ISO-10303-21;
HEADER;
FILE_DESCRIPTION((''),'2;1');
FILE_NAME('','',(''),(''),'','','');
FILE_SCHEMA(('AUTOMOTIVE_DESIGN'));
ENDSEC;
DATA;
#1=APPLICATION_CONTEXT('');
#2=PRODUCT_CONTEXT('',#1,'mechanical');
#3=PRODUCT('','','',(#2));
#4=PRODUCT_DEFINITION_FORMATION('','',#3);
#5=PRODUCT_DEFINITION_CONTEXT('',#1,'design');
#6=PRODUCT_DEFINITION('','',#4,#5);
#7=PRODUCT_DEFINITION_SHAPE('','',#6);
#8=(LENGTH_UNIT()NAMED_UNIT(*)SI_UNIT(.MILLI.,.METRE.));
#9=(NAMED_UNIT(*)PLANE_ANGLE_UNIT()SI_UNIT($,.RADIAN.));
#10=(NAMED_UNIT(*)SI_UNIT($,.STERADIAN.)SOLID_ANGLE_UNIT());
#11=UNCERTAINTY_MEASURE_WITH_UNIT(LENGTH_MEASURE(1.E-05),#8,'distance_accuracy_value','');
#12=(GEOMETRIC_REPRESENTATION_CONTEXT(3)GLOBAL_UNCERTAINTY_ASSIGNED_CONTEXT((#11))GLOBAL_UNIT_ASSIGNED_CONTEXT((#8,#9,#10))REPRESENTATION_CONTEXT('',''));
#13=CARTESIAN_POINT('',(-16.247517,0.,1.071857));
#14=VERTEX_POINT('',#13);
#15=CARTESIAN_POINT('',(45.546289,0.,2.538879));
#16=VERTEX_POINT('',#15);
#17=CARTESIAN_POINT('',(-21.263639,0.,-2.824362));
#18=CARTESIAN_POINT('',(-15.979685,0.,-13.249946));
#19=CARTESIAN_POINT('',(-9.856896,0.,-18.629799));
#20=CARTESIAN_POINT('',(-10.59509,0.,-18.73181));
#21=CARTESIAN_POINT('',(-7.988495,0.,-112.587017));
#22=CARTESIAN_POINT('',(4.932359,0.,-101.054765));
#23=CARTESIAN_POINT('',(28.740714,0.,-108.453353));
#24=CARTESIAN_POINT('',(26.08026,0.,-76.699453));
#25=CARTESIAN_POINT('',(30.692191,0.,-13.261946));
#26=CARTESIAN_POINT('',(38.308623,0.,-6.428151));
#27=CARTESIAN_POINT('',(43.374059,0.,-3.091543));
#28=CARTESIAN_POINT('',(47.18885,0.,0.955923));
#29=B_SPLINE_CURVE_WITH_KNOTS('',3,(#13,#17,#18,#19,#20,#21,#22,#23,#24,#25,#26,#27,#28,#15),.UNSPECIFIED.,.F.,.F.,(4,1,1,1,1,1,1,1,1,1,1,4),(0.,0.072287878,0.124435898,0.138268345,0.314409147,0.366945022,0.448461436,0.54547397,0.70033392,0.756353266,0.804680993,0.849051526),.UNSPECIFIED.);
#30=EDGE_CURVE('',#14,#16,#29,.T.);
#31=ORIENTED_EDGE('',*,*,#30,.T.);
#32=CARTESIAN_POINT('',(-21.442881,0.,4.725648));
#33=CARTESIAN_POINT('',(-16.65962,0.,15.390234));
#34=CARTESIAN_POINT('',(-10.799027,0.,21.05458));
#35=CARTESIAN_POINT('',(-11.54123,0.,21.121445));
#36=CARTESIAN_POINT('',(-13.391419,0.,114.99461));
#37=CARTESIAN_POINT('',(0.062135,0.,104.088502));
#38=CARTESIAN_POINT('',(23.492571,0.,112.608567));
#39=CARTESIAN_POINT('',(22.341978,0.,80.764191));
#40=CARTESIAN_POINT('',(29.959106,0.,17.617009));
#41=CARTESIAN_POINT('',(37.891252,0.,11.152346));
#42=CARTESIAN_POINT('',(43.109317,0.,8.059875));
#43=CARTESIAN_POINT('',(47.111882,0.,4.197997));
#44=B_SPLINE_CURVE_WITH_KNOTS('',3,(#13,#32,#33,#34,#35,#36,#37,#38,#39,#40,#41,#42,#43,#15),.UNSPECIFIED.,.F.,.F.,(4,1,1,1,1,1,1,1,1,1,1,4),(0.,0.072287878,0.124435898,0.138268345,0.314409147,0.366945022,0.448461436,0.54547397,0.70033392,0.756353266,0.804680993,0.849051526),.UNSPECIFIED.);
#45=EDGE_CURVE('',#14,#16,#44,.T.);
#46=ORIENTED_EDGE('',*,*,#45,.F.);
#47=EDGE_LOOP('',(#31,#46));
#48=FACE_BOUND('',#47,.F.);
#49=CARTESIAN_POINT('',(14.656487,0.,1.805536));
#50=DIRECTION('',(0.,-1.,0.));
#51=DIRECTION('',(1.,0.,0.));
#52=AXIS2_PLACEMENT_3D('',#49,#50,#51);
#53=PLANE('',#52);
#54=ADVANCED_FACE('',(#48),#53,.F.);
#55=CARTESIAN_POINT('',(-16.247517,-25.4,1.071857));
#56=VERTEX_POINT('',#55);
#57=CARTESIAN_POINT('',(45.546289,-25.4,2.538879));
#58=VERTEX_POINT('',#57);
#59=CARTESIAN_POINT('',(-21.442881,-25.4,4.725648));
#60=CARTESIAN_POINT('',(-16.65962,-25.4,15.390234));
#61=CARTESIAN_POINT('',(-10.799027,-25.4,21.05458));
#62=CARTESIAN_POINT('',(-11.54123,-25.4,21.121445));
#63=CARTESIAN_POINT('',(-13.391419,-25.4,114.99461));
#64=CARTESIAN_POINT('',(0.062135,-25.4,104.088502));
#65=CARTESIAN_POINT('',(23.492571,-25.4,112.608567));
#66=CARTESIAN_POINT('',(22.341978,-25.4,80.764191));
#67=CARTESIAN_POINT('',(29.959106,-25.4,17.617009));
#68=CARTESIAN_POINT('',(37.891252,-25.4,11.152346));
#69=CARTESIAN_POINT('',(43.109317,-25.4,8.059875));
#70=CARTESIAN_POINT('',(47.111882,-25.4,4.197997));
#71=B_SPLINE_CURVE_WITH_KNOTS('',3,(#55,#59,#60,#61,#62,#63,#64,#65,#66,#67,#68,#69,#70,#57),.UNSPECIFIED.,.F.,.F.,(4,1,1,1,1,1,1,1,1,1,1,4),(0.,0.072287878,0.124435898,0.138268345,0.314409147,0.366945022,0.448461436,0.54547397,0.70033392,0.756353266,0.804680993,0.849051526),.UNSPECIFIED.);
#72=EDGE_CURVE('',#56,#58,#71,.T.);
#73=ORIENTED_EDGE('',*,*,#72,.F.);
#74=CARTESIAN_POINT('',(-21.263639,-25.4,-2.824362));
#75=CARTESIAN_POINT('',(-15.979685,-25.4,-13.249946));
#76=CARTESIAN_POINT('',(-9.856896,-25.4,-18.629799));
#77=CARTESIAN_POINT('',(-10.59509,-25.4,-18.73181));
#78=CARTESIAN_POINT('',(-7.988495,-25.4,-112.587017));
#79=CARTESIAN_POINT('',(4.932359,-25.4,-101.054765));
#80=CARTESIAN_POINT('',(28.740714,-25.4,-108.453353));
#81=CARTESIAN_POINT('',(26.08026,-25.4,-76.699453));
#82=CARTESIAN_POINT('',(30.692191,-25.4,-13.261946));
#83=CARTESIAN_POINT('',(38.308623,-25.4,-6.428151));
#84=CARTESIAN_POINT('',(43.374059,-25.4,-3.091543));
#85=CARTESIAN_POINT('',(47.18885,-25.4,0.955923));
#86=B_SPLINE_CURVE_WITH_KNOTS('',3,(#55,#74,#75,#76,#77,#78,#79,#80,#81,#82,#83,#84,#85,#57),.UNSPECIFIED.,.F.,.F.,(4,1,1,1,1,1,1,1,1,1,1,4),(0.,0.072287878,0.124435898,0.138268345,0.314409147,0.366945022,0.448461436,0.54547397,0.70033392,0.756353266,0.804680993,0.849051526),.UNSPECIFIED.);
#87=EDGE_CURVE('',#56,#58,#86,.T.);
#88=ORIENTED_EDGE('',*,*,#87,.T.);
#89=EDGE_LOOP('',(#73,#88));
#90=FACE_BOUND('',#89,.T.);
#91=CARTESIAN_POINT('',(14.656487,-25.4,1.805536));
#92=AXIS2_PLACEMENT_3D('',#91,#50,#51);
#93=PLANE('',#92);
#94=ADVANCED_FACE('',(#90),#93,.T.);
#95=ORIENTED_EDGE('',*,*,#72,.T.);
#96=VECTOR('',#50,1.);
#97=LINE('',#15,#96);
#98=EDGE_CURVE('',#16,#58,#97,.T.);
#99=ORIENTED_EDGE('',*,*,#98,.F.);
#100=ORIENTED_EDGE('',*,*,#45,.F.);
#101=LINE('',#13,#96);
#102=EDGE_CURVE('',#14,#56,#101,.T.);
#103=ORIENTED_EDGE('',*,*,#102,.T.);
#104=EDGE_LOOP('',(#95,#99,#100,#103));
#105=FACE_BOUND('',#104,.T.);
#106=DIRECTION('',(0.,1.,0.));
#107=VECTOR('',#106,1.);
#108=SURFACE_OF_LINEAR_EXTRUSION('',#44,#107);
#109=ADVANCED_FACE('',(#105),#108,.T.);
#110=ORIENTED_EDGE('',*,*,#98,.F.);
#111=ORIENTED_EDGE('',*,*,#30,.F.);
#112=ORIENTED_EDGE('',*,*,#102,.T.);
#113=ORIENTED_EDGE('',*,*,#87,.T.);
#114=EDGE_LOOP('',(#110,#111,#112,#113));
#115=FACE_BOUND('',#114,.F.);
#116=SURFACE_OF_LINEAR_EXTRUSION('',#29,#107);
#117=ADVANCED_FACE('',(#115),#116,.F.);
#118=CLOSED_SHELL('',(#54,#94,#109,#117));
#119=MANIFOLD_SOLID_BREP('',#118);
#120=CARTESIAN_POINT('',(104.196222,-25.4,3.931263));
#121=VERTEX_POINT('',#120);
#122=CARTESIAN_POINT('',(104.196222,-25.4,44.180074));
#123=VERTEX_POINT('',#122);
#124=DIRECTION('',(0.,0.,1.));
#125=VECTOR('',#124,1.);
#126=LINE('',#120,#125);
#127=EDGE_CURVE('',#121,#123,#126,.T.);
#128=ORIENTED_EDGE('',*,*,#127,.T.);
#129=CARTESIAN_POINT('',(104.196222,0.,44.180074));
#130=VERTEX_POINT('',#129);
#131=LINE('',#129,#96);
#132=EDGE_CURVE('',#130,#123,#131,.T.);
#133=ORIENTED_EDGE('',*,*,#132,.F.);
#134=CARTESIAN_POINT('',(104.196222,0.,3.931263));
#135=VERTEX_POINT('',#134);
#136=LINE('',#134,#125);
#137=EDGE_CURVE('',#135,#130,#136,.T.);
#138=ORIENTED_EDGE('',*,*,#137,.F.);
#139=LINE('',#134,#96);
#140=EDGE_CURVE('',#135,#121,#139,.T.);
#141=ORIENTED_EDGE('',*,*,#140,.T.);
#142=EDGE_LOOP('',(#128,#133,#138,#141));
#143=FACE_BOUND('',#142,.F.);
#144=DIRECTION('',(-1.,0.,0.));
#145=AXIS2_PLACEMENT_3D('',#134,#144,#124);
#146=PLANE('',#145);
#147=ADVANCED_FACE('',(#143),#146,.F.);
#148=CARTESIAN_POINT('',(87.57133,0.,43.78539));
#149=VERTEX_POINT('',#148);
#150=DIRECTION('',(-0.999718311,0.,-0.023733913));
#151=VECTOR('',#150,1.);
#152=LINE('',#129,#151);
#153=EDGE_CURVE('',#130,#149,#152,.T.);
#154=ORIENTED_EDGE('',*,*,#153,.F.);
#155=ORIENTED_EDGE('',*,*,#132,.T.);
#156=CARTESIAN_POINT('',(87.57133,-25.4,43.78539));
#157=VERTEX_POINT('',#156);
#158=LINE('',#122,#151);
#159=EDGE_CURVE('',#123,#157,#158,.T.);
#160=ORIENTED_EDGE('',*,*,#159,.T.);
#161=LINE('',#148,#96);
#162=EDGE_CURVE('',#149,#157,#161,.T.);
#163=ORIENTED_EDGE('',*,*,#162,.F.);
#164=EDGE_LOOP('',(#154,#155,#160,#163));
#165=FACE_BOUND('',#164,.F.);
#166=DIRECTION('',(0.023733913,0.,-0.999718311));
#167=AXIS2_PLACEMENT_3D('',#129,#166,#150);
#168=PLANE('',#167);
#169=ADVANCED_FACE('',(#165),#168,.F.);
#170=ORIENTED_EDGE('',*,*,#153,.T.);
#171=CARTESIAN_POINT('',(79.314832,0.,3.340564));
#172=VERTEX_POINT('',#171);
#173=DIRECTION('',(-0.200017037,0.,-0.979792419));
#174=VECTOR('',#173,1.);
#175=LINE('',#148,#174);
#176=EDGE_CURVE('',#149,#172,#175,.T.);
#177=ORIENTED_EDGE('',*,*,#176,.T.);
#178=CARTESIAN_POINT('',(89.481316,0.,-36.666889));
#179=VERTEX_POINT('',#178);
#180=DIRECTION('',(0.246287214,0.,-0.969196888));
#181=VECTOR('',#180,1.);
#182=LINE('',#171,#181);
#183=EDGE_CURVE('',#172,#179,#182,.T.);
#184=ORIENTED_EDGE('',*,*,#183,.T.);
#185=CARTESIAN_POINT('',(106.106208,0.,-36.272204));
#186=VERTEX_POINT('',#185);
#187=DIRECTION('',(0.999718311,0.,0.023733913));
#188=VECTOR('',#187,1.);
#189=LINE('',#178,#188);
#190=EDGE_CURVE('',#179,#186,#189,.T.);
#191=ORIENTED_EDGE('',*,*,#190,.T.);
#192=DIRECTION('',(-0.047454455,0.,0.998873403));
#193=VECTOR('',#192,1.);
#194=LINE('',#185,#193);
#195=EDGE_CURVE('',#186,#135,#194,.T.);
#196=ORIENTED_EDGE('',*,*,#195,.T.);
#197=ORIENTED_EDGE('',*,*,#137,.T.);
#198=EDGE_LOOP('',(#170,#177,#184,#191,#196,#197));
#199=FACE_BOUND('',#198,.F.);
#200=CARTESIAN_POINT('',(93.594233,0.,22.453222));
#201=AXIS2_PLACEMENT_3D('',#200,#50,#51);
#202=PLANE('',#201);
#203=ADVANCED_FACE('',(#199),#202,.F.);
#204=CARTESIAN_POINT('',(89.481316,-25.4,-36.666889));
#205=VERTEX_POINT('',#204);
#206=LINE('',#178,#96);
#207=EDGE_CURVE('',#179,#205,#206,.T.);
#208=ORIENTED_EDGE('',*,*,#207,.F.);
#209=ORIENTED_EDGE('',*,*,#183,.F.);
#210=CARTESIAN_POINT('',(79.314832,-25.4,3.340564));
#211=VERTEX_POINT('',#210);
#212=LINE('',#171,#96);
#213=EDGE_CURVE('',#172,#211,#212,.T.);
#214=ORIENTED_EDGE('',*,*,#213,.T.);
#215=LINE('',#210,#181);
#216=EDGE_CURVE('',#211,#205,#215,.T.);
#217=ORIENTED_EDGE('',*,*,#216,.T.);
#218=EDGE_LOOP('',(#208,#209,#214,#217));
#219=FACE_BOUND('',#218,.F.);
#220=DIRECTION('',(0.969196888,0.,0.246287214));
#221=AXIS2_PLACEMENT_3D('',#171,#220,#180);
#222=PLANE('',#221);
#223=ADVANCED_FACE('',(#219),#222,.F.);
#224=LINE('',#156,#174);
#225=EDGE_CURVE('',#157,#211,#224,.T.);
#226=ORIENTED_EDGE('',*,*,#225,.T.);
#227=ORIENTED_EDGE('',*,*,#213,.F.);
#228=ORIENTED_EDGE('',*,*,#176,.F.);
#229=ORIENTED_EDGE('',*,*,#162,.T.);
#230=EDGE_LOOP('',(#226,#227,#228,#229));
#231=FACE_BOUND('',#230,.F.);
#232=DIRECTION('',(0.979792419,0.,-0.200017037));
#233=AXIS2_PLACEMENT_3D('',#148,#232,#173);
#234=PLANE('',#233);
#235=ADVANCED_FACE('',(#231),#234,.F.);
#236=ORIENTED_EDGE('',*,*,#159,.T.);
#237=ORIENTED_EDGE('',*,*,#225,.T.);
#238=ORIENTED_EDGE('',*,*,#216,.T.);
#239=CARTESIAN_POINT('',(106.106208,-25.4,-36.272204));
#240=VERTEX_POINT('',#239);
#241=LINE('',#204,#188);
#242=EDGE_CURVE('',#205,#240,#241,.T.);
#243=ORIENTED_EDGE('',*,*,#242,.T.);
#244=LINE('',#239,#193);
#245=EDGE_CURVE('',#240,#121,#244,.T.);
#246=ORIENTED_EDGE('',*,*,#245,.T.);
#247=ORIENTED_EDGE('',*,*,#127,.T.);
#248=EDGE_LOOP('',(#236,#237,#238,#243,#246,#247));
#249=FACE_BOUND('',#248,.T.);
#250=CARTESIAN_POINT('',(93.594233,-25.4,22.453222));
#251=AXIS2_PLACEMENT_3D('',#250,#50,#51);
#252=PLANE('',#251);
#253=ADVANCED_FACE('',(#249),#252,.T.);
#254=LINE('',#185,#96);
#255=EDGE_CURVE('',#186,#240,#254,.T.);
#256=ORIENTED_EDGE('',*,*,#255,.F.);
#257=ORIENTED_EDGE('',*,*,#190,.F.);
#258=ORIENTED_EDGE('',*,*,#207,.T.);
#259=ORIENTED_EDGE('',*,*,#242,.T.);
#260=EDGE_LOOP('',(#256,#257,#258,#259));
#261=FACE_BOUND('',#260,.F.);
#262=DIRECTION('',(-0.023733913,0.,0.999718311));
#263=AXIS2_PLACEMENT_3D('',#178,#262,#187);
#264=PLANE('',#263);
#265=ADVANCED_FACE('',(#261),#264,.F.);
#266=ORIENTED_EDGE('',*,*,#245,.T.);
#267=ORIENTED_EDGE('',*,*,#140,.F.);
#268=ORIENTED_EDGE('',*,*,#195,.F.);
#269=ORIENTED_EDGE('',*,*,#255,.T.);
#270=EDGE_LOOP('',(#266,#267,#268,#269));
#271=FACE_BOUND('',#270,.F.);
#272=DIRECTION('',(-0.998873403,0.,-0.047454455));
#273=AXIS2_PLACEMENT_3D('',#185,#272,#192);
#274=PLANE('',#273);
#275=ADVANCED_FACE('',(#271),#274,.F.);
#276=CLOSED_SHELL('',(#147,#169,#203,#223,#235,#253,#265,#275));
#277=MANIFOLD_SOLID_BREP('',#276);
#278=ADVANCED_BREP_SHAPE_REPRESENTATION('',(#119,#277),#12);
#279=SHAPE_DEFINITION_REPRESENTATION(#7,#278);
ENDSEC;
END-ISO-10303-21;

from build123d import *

# Parameters (mm, degrees)
F1_DEPTH = 25.4


with BuildPart() as f1:
    # F0 (on Front) → F1 (new body)
    with BuildSketch(Plane.XZ):
        with BuildLine():
            add(Edge.make_bspline(
                [(45.5462893194, 2.5388785984), (39.9582998893, 7.9240894931), (-5.7730626183, 9.2077742083), (-16.2475167724, 1.0718565162)],
                knots=[0.8490515264, 0.8490515264, 0.8490515264, 0.8490515264, 1, 1, 1, 1], degree=3))
            add(Edge.make_bspline(
                [(45.5462893194, 2.5388785984), (40.2201475537, -3.1054403281), (-5.3987775658, -6.5578357546), (-16.2475167724, 1.0718565162)],
                knots=[0.8490515264, 0.8490515264, 0.8490515264, 0.8490515264, 1, 1, 1, 1], degree=3))
        make_face()
        with BuildLine():
            add(Edge.make_bspline(
                [(45.5462893194, 2.5388785984), (40.2201475537, -3.1054403281), (-5.3987775658, -6.5578357546), (-16.2475167724, 1.0718565162)],
                knots=[0.8490515264, 0.8490515264, 0.8490515264, 0.8490515264, 1, 1, 1, 1], degree=3))
            add(Edge.make_bspline(
                [(-16.2475167724, 1.0718565162), (-21.2636394747, -2.8243619252), (-15.9796850631, -13.2499462138), (-9.8568957031, -18.62979921), (-10.5950896494, -18.7318097756), (-7.9884948562, -112.5870172801), (4.9323594283, -101.0547647173), (28.7407139845, -108.453352552), (26.0802596445, -76.69945325), (30.6921905775, -13.2619460256), (38.3086231565, -6.4281506203), (43.3740585828, -3.0915426442), (47.1888503043, 0.9559233294), (45.5462893194, 2.5388785984)],
                knots=[0, 0, 0, 0, 0.0722878781, 0.1244358983, 0.1382683453, 0.3144091469, 0.3669450217, 0.4484614357, 0.5454739698, 0.7003339196, 0.7563532656, 0.8046809926, 0.8490515264, 0.8490515264, 0.8490515264, 0.8490515264], degree=3))
        make_face()
        with BuildLine():
            add(Edge.make_bspline(
                [(-16.2475167724, 1.0718565162), (-21.4428812491, 4.725648117), (-16.6596201519, 15.3902341501), (-10.7990267043, 21.0545798537), (-11.5412298591, 21.1214449027), (-13.3914194163, 114.994609922), (0.0621350349, 104.0885016682), (23.4925712064, 112.6085667757), (22.3419781283, 80.7641909184), (29.9591056358, 17.6170088885), (37.8912516026, 11.1523460794), (43.1093172377, 8.0598745968), (47.1118815192, 4.1979973513), (45.5462893194, 2.5388785984)],
                knots=[0, 0, 0, 0, 0.0722878781, 0.1244358983, 0.1382683453, 0.3144091469, 0.3669450217, 0.4484614357, 0.5454739698, 0.7003339196, 0.7563532656, 0.8046809926, 0.8490515264, 0.8490515264, 0.8490515264, 0.8490515264], degree=3))
            add(Edge.make_bspline(
                [(45.5462893194, 2.5388785984), (39.9582998893, 7.9240894931), (-5.7730626183, 9.2077742083), (-16.2475167724, 1.0718565162)],
                knots=[0.8490515264, 0.8490515264, 0.8490515264, 0.8490515264, 1, 1, 1, 1], degree=3))
        make_face()
    extrude(amount=F1_DEPTH)


with BuildPart() as f1b:
    # F0 (on Front) → F1, piece 2 (new body)
    with BuildSketch(Plane.XZ):
        Polygon((87.5713303685, 43.7853895128), (79.3148323896, 3.3405640989), (104.1962221087, 3.9312632395), (104.1962221087, 44.1800744309), align=None)
        Polygon((104.1962221087, 3.9312632395), (79.3148323896, 3.3405640989), (89.481315788, -36.6668886687), (106.1062075282, -36.2722037506), align=None)
    extrude(amount=F1_DEPTH)


solid = Compound([f1.part, f1b.part])
